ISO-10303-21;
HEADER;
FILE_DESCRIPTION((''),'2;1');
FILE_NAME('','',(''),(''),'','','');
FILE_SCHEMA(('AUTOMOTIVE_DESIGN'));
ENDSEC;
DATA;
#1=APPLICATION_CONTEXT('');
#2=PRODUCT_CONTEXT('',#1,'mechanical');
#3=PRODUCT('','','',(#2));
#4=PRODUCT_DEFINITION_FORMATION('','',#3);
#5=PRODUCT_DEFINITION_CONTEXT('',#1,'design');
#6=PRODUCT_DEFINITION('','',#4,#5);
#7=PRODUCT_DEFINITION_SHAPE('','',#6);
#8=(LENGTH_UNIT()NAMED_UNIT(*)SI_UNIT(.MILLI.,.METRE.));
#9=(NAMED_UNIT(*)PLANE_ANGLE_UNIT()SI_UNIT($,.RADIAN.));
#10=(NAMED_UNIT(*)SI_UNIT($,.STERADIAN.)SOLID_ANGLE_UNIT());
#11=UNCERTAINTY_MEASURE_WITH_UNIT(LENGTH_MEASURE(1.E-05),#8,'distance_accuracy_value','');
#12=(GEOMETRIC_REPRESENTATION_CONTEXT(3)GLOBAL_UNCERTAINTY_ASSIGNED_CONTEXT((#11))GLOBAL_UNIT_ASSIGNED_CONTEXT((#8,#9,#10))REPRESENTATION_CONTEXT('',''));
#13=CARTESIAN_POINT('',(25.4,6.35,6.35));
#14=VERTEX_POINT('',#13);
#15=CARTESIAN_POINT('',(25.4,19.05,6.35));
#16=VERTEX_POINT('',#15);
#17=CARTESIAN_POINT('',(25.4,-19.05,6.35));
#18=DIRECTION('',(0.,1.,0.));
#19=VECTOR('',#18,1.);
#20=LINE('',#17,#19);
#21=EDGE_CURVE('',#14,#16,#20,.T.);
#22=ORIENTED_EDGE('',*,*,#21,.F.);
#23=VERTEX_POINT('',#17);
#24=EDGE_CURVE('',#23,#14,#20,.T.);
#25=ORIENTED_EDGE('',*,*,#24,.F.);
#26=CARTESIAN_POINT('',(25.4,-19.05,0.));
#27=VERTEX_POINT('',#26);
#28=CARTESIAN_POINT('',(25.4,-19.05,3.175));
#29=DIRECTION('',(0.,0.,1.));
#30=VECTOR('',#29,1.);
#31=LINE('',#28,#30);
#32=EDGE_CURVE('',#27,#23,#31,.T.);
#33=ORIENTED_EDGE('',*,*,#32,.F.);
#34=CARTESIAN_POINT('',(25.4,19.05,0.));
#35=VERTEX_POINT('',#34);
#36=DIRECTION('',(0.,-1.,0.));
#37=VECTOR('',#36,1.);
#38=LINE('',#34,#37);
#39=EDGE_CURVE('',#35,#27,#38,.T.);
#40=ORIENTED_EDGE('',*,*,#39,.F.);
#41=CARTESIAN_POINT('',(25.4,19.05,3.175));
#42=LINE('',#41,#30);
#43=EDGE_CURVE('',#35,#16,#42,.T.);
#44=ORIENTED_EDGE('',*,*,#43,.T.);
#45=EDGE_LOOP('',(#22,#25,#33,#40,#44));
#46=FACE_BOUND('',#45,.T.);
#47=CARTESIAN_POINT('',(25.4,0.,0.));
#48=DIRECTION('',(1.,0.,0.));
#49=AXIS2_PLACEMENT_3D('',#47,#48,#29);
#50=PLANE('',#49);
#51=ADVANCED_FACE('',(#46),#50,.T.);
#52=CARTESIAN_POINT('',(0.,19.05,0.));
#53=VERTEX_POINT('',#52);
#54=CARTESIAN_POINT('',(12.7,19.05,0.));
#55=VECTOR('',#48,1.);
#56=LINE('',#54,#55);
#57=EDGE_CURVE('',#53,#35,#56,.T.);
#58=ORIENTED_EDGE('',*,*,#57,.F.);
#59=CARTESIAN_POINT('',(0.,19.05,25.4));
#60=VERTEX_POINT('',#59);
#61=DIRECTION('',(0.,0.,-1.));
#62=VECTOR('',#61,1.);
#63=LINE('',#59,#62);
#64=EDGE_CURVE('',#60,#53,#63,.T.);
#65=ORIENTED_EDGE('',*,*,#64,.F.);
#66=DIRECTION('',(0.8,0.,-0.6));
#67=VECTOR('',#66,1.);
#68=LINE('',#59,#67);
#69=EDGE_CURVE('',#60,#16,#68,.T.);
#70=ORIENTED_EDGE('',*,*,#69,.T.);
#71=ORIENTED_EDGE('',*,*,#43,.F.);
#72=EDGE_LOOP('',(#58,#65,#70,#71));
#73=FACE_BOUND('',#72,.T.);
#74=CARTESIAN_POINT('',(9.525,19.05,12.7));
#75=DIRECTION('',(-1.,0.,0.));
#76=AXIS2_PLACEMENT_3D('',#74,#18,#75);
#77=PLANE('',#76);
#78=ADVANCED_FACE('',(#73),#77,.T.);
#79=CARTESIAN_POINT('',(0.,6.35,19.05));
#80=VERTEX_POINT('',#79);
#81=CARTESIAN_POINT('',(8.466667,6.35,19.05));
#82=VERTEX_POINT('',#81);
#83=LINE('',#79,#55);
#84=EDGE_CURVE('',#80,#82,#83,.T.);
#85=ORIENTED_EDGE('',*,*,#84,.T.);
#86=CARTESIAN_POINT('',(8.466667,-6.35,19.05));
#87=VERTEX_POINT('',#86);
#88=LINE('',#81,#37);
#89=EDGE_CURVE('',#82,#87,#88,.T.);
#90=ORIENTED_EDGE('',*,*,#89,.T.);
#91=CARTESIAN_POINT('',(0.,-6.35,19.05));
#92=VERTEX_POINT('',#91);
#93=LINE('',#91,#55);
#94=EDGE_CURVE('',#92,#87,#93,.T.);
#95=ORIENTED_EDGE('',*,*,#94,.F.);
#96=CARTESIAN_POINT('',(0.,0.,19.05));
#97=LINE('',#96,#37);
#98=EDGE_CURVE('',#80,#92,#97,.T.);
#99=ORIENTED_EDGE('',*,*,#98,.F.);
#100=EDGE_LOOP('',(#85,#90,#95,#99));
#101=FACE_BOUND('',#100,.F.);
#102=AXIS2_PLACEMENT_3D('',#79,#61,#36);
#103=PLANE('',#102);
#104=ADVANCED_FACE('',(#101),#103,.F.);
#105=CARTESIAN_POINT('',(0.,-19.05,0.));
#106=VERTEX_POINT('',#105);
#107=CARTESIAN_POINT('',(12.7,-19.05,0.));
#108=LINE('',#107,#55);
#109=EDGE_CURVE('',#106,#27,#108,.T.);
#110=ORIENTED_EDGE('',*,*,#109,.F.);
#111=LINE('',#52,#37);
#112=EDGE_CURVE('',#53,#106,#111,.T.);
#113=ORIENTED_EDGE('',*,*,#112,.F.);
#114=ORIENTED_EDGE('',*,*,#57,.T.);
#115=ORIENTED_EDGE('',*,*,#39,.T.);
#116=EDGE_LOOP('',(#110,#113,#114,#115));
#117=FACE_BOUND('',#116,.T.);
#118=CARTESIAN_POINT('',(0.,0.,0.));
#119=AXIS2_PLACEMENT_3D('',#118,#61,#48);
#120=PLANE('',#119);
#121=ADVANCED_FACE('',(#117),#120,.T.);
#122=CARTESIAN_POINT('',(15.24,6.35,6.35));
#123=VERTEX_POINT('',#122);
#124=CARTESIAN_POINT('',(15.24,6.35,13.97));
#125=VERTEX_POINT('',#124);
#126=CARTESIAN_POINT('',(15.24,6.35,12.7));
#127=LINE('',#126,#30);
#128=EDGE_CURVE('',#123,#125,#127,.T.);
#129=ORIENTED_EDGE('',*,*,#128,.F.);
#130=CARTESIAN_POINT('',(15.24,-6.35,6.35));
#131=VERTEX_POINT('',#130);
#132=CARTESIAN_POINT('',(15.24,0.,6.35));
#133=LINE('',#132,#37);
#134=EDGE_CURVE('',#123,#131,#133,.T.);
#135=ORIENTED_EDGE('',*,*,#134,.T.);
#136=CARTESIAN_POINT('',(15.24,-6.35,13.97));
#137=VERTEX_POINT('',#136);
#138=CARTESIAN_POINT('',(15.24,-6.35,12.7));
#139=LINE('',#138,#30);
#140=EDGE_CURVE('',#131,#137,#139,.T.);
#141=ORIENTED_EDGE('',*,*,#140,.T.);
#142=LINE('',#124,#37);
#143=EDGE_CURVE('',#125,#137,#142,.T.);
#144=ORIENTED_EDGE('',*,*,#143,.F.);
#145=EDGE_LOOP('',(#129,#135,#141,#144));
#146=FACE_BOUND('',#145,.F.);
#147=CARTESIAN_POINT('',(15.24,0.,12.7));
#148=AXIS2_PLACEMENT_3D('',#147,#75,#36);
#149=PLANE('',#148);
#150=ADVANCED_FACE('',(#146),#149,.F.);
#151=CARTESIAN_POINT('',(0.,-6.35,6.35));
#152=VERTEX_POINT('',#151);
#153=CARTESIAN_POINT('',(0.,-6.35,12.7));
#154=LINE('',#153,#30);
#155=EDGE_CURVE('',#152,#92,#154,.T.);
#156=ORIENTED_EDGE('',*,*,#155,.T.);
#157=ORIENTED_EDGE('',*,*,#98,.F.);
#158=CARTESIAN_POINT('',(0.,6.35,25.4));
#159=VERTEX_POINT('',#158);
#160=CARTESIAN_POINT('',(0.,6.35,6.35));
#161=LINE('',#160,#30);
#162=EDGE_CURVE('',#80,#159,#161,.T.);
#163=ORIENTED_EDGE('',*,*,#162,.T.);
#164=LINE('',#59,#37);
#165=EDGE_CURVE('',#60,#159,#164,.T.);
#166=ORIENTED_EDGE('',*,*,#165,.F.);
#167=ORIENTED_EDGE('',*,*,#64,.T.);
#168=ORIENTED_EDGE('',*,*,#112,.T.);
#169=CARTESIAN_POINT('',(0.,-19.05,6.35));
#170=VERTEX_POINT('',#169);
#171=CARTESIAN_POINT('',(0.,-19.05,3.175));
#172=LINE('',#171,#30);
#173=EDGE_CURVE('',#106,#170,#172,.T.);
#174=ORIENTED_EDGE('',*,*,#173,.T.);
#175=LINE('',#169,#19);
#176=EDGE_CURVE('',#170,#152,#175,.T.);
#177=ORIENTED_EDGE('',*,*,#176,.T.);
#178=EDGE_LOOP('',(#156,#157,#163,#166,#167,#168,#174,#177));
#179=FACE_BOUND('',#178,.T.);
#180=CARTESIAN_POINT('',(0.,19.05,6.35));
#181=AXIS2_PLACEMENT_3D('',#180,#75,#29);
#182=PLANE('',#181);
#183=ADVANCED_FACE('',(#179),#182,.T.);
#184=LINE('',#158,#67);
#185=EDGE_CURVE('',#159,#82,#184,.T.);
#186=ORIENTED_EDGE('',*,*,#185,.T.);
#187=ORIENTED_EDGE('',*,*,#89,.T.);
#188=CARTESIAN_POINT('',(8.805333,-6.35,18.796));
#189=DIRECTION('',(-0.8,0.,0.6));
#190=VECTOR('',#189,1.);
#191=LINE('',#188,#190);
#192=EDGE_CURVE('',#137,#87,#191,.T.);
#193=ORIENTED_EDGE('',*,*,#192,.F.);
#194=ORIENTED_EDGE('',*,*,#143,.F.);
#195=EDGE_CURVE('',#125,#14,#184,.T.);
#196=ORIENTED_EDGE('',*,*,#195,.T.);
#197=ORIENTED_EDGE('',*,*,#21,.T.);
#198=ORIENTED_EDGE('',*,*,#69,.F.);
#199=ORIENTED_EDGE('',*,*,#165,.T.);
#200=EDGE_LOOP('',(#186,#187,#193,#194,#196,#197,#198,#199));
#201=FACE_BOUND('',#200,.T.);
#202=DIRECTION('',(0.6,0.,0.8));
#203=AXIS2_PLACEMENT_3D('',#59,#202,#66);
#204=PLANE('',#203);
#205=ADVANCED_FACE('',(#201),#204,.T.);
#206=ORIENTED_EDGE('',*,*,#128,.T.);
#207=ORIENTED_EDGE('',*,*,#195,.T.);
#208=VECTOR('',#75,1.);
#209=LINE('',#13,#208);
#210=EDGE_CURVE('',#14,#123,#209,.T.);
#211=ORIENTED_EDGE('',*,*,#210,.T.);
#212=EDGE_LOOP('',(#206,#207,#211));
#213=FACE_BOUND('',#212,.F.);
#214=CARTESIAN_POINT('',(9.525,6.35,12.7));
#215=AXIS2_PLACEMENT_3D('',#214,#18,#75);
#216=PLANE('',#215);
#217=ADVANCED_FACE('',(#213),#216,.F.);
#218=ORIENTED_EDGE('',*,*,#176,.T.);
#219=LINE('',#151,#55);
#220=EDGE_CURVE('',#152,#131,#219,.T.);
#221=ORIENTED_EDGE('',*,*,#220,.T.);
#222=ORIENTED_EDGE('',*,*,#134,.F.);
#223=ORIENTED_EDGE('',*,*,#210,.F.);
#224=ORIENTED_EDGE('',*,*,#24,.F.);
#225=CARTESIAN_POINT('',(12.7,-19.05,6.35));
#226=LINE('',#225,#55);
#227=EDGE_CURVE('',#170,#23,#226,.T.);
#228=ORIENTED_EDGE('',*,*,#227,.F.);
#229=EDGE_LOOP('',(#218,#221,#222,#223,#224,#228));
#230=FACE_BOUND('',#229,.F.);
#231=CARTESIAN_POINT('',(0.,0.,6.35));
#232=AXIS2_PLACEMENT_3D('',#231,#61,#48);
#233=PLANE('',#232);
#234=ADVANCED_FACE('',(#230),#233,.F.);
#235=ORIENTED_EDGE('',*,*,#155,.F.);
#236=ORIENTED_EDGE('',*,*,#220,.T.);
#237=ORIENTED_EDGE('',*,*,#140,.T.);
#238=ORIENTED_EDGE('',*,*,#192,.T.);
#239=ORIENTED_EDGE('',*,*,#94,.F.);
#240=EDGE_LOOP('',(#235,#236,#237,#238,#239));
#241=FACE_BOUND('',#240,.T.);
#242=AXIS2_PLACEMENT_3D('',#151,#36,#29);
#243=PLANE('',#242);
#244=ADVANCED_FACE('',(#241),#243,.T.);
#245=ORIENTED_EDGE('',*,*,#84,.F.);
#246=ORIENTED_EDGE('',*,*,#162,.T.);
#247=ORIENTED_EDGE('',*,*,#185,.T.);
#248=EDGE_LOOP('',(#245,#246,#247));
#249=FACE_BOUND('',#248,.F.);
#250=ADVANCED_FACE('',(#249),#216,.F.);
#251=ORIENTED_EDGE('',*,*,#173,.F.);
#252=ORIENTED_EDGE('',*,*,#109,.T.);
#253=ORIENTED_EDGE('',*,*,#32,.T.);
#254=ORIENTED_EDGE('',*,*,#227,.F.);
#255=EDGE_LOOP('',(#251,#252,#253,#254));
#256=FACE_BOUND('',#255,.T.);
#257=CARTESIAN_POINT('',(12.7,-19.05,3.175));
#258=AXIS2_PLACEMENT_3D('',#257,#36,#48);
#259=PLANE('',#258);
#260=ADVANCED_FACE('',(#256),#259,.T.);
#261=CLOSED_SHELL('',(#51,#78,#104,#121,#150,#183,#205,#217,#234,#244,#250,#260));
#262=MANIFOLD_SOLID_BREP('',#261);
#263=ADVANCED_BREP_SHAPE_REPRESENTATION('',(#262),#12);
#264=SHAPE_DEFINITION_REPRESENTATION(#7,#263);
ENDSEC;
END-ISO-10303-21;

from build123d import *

# Parameters (mm, degrees)
F0_W     = 25.4
F0_H     = 6.35
F1_DEPTH = 19.05
F3_DEPTH = 12.7
F4_W     = 12.7
F4_H     = 12.7
F5_DEPTH = 15.24
F6_DEPTH = 25.4


with BuildPart() as f1:
    # F0 (on Front) → F1 (new body, symmetric)
    with BuildSketch(Plane.XZ):
        with Locations((12.7, 3.175)):
            Rectangle(F0_W, F0_H)
    extrude(amount=F1_DEPTH, both=True)

    # F2 (on face) → F3 (join)
    with BuildSketch(Plane(origin=(0, 19.05, 0), x_dir=(-1, 0, 0), z_dir=(0, 1, 0))):
        Polygon((-25.4, 6.35), (0, 6.35), (0, 25.4), align=None)
    extrude(amount=-F3_DEPTH)

    # F4 (on face) → F5 (join)
    with BuildSketch(Plane(origin=(0, 0, 0), x_dir=(0, -1, 0), z_dir=(-1, 0, 0))):
        with Locations((0, 12.7)):
            Rectangle(F4_W, F4_H)
    extrude(amount=-F5_DEPTH)

    # F6 (cut): a face of the model
    f6_faces = [f1.faces().sort_by_distance(p)[0] for p in [
        (12.9822222222, 6.35, 17.3566666667),
    ]]
    extrude(f6_faces, amount=-F6_DEPTH, mode=Mode.SUBTRACT)


solid = f1.part
